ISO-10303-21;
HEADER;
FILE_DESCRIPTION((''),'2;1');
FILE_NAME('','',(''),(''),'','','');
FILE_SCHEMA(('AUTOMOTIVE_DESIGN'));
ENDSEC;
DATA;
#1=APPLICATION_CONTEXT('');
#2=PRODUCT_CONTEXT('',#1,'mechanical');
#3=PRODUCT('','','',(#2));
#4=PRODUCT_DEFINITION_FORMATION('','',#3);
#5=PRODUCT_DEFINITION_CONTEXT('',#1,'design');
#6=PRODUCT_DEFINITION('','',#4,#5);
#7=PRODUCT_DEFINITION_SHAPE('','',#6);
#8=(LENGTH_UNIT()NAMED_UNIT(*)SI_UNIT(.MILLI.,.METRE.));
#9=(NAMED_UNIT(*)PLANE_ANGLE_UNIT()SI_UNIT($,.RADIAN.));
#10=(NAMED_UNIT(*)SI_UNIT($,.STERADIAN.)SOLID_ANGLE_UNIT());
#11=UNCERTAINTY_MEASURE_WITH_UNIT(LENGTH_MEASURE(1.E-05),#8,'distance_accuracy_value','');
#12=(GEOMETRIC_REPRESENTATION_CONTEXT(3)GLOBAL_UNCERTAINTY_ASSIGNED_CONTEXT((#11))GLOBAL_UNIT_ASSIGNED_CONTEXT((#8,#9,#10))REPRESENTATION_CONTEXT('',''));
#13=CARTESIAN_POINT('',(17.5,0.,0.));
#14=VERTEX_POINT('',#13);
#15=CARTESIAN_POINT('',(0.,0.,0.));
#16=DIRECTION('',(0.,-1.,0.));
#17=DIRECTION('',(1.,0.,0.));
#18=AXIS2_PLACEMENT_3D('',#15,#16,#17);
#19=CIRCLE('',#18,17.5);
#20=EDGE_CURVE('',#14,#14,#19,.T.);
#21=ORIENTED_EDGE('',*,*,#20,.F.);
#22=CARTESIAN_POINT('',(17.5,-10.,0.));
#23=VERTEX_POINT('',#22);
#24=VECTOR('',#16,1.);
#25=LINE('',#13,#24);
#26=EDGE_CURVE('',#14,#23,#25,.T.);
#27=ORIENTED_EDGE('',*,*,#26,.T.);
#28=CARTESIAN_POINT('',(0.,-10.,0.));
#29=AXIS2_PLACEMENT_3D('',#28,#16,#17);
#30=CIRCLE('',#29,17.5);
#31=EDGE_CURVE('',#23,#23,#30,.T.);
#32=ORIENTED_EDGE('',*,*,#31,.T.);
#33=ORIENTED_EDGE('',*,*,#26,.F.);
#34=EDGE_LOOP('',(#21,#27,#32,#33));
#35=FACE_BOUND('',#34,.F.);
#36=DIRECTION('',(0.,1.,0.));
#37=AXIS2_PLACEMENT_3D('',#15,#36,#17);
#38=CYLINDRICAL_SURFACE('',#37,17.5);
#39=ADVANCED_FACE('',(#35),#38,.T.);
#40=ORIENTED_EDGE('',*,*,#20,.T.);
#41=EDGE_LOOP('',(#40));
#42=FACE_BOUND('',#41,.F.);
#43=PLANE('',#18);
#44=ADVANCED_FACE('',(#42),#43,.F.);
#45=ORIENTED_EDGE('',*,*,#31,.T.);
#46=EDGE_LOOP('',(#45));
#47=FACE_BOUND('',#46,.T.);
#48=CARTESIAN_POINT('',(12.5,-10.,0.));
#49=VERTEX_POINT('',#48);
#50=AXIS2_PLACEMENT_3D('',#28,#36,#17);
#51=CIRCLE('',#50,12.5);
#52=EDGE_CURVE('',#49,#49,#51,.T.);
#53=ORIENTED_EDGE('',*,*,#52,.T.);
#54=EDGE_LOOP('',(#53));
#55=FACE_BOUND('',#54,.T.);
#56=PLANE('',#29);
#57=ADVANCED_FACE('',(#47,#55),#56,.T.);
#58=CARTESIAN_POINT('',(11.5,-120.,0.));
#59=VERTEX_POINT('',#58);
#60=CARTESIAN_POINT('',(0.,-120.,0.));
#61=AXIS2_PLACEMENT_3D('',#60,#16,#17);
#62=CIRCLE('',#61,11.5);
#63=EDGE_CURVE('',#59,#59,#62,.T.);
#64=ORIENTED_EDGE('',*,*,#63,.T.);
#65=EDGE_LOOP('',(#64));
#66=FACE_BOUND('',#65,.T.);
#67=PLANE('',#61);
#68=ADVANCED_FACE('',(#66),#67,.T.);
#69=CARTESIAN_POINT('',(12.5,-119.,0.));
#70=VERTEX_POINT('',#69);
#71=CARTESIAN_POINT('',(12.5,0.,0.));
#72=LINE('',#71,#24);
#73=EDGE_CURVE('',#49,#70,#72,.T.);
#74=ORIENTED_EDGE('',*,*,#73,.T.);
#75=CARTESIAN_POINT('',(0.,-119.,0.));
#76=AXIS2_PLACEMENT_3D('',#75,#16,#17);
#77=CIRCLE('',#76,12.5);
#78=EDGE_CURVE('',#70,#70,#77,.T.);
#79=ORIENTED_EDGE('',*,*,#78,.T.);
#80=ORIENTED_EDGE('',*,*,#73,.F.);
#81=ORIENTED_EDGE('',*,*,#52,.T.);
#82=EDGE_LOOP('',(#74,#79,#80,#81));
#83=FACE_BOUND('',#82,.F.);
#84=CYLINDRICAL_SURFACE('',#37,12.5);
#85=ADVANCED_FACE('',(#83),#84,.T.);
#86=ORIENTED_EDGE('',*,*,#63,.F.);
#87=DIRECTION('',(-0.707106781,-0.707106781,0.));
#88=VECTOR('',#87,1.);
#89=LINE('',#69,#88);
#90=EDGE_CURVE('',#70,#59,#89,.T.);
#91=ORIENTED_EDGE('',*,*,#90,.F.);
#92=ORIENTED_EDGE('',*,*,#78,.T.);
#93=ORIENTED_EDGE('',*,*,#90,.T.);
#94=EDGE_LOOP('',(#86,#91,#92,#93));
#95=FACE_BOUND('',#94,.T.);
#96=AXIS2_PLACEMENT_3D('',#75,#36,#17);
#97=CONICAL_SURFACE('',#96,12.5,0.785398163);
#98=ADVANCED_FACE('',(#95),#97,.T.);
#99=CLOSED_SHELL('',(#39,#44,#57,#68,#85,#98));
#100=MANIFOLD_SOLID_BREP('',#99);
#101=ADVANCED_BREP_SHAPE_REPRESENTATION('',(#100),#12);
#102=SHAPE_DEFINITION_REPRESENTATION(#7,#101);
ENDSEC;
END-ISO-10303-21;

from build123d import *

# Parameters (mm, degrees)
F0_R     = 12.5
F1_DEPTH = 120
F2_SIZE  = 1
F3_R     = 17.5
F4_DEPTH = 10


with BuildPart() as f1:
    # F0 (on Front) → F1 (new body)
    with BuildSketch(Plane.XZ):
        Circle(F0_R)
    extrude(amount=F1_DEPTH)

    # F2
    f2_edges = [f1.edges().sort_by_distance(p)[0] for p in [
        (-12.5, -120, 0),
        (-12.5, 0, 0),
    ]]
    chamfer(f2_edges, length=F2_SIZE)

    # F3 (on Front) → F4 (join)
    with BuildSketch(Plane.XZ):
        Circle(F3_R)
    extrude(amount=F4_DEPTH)


solid = f1.part
